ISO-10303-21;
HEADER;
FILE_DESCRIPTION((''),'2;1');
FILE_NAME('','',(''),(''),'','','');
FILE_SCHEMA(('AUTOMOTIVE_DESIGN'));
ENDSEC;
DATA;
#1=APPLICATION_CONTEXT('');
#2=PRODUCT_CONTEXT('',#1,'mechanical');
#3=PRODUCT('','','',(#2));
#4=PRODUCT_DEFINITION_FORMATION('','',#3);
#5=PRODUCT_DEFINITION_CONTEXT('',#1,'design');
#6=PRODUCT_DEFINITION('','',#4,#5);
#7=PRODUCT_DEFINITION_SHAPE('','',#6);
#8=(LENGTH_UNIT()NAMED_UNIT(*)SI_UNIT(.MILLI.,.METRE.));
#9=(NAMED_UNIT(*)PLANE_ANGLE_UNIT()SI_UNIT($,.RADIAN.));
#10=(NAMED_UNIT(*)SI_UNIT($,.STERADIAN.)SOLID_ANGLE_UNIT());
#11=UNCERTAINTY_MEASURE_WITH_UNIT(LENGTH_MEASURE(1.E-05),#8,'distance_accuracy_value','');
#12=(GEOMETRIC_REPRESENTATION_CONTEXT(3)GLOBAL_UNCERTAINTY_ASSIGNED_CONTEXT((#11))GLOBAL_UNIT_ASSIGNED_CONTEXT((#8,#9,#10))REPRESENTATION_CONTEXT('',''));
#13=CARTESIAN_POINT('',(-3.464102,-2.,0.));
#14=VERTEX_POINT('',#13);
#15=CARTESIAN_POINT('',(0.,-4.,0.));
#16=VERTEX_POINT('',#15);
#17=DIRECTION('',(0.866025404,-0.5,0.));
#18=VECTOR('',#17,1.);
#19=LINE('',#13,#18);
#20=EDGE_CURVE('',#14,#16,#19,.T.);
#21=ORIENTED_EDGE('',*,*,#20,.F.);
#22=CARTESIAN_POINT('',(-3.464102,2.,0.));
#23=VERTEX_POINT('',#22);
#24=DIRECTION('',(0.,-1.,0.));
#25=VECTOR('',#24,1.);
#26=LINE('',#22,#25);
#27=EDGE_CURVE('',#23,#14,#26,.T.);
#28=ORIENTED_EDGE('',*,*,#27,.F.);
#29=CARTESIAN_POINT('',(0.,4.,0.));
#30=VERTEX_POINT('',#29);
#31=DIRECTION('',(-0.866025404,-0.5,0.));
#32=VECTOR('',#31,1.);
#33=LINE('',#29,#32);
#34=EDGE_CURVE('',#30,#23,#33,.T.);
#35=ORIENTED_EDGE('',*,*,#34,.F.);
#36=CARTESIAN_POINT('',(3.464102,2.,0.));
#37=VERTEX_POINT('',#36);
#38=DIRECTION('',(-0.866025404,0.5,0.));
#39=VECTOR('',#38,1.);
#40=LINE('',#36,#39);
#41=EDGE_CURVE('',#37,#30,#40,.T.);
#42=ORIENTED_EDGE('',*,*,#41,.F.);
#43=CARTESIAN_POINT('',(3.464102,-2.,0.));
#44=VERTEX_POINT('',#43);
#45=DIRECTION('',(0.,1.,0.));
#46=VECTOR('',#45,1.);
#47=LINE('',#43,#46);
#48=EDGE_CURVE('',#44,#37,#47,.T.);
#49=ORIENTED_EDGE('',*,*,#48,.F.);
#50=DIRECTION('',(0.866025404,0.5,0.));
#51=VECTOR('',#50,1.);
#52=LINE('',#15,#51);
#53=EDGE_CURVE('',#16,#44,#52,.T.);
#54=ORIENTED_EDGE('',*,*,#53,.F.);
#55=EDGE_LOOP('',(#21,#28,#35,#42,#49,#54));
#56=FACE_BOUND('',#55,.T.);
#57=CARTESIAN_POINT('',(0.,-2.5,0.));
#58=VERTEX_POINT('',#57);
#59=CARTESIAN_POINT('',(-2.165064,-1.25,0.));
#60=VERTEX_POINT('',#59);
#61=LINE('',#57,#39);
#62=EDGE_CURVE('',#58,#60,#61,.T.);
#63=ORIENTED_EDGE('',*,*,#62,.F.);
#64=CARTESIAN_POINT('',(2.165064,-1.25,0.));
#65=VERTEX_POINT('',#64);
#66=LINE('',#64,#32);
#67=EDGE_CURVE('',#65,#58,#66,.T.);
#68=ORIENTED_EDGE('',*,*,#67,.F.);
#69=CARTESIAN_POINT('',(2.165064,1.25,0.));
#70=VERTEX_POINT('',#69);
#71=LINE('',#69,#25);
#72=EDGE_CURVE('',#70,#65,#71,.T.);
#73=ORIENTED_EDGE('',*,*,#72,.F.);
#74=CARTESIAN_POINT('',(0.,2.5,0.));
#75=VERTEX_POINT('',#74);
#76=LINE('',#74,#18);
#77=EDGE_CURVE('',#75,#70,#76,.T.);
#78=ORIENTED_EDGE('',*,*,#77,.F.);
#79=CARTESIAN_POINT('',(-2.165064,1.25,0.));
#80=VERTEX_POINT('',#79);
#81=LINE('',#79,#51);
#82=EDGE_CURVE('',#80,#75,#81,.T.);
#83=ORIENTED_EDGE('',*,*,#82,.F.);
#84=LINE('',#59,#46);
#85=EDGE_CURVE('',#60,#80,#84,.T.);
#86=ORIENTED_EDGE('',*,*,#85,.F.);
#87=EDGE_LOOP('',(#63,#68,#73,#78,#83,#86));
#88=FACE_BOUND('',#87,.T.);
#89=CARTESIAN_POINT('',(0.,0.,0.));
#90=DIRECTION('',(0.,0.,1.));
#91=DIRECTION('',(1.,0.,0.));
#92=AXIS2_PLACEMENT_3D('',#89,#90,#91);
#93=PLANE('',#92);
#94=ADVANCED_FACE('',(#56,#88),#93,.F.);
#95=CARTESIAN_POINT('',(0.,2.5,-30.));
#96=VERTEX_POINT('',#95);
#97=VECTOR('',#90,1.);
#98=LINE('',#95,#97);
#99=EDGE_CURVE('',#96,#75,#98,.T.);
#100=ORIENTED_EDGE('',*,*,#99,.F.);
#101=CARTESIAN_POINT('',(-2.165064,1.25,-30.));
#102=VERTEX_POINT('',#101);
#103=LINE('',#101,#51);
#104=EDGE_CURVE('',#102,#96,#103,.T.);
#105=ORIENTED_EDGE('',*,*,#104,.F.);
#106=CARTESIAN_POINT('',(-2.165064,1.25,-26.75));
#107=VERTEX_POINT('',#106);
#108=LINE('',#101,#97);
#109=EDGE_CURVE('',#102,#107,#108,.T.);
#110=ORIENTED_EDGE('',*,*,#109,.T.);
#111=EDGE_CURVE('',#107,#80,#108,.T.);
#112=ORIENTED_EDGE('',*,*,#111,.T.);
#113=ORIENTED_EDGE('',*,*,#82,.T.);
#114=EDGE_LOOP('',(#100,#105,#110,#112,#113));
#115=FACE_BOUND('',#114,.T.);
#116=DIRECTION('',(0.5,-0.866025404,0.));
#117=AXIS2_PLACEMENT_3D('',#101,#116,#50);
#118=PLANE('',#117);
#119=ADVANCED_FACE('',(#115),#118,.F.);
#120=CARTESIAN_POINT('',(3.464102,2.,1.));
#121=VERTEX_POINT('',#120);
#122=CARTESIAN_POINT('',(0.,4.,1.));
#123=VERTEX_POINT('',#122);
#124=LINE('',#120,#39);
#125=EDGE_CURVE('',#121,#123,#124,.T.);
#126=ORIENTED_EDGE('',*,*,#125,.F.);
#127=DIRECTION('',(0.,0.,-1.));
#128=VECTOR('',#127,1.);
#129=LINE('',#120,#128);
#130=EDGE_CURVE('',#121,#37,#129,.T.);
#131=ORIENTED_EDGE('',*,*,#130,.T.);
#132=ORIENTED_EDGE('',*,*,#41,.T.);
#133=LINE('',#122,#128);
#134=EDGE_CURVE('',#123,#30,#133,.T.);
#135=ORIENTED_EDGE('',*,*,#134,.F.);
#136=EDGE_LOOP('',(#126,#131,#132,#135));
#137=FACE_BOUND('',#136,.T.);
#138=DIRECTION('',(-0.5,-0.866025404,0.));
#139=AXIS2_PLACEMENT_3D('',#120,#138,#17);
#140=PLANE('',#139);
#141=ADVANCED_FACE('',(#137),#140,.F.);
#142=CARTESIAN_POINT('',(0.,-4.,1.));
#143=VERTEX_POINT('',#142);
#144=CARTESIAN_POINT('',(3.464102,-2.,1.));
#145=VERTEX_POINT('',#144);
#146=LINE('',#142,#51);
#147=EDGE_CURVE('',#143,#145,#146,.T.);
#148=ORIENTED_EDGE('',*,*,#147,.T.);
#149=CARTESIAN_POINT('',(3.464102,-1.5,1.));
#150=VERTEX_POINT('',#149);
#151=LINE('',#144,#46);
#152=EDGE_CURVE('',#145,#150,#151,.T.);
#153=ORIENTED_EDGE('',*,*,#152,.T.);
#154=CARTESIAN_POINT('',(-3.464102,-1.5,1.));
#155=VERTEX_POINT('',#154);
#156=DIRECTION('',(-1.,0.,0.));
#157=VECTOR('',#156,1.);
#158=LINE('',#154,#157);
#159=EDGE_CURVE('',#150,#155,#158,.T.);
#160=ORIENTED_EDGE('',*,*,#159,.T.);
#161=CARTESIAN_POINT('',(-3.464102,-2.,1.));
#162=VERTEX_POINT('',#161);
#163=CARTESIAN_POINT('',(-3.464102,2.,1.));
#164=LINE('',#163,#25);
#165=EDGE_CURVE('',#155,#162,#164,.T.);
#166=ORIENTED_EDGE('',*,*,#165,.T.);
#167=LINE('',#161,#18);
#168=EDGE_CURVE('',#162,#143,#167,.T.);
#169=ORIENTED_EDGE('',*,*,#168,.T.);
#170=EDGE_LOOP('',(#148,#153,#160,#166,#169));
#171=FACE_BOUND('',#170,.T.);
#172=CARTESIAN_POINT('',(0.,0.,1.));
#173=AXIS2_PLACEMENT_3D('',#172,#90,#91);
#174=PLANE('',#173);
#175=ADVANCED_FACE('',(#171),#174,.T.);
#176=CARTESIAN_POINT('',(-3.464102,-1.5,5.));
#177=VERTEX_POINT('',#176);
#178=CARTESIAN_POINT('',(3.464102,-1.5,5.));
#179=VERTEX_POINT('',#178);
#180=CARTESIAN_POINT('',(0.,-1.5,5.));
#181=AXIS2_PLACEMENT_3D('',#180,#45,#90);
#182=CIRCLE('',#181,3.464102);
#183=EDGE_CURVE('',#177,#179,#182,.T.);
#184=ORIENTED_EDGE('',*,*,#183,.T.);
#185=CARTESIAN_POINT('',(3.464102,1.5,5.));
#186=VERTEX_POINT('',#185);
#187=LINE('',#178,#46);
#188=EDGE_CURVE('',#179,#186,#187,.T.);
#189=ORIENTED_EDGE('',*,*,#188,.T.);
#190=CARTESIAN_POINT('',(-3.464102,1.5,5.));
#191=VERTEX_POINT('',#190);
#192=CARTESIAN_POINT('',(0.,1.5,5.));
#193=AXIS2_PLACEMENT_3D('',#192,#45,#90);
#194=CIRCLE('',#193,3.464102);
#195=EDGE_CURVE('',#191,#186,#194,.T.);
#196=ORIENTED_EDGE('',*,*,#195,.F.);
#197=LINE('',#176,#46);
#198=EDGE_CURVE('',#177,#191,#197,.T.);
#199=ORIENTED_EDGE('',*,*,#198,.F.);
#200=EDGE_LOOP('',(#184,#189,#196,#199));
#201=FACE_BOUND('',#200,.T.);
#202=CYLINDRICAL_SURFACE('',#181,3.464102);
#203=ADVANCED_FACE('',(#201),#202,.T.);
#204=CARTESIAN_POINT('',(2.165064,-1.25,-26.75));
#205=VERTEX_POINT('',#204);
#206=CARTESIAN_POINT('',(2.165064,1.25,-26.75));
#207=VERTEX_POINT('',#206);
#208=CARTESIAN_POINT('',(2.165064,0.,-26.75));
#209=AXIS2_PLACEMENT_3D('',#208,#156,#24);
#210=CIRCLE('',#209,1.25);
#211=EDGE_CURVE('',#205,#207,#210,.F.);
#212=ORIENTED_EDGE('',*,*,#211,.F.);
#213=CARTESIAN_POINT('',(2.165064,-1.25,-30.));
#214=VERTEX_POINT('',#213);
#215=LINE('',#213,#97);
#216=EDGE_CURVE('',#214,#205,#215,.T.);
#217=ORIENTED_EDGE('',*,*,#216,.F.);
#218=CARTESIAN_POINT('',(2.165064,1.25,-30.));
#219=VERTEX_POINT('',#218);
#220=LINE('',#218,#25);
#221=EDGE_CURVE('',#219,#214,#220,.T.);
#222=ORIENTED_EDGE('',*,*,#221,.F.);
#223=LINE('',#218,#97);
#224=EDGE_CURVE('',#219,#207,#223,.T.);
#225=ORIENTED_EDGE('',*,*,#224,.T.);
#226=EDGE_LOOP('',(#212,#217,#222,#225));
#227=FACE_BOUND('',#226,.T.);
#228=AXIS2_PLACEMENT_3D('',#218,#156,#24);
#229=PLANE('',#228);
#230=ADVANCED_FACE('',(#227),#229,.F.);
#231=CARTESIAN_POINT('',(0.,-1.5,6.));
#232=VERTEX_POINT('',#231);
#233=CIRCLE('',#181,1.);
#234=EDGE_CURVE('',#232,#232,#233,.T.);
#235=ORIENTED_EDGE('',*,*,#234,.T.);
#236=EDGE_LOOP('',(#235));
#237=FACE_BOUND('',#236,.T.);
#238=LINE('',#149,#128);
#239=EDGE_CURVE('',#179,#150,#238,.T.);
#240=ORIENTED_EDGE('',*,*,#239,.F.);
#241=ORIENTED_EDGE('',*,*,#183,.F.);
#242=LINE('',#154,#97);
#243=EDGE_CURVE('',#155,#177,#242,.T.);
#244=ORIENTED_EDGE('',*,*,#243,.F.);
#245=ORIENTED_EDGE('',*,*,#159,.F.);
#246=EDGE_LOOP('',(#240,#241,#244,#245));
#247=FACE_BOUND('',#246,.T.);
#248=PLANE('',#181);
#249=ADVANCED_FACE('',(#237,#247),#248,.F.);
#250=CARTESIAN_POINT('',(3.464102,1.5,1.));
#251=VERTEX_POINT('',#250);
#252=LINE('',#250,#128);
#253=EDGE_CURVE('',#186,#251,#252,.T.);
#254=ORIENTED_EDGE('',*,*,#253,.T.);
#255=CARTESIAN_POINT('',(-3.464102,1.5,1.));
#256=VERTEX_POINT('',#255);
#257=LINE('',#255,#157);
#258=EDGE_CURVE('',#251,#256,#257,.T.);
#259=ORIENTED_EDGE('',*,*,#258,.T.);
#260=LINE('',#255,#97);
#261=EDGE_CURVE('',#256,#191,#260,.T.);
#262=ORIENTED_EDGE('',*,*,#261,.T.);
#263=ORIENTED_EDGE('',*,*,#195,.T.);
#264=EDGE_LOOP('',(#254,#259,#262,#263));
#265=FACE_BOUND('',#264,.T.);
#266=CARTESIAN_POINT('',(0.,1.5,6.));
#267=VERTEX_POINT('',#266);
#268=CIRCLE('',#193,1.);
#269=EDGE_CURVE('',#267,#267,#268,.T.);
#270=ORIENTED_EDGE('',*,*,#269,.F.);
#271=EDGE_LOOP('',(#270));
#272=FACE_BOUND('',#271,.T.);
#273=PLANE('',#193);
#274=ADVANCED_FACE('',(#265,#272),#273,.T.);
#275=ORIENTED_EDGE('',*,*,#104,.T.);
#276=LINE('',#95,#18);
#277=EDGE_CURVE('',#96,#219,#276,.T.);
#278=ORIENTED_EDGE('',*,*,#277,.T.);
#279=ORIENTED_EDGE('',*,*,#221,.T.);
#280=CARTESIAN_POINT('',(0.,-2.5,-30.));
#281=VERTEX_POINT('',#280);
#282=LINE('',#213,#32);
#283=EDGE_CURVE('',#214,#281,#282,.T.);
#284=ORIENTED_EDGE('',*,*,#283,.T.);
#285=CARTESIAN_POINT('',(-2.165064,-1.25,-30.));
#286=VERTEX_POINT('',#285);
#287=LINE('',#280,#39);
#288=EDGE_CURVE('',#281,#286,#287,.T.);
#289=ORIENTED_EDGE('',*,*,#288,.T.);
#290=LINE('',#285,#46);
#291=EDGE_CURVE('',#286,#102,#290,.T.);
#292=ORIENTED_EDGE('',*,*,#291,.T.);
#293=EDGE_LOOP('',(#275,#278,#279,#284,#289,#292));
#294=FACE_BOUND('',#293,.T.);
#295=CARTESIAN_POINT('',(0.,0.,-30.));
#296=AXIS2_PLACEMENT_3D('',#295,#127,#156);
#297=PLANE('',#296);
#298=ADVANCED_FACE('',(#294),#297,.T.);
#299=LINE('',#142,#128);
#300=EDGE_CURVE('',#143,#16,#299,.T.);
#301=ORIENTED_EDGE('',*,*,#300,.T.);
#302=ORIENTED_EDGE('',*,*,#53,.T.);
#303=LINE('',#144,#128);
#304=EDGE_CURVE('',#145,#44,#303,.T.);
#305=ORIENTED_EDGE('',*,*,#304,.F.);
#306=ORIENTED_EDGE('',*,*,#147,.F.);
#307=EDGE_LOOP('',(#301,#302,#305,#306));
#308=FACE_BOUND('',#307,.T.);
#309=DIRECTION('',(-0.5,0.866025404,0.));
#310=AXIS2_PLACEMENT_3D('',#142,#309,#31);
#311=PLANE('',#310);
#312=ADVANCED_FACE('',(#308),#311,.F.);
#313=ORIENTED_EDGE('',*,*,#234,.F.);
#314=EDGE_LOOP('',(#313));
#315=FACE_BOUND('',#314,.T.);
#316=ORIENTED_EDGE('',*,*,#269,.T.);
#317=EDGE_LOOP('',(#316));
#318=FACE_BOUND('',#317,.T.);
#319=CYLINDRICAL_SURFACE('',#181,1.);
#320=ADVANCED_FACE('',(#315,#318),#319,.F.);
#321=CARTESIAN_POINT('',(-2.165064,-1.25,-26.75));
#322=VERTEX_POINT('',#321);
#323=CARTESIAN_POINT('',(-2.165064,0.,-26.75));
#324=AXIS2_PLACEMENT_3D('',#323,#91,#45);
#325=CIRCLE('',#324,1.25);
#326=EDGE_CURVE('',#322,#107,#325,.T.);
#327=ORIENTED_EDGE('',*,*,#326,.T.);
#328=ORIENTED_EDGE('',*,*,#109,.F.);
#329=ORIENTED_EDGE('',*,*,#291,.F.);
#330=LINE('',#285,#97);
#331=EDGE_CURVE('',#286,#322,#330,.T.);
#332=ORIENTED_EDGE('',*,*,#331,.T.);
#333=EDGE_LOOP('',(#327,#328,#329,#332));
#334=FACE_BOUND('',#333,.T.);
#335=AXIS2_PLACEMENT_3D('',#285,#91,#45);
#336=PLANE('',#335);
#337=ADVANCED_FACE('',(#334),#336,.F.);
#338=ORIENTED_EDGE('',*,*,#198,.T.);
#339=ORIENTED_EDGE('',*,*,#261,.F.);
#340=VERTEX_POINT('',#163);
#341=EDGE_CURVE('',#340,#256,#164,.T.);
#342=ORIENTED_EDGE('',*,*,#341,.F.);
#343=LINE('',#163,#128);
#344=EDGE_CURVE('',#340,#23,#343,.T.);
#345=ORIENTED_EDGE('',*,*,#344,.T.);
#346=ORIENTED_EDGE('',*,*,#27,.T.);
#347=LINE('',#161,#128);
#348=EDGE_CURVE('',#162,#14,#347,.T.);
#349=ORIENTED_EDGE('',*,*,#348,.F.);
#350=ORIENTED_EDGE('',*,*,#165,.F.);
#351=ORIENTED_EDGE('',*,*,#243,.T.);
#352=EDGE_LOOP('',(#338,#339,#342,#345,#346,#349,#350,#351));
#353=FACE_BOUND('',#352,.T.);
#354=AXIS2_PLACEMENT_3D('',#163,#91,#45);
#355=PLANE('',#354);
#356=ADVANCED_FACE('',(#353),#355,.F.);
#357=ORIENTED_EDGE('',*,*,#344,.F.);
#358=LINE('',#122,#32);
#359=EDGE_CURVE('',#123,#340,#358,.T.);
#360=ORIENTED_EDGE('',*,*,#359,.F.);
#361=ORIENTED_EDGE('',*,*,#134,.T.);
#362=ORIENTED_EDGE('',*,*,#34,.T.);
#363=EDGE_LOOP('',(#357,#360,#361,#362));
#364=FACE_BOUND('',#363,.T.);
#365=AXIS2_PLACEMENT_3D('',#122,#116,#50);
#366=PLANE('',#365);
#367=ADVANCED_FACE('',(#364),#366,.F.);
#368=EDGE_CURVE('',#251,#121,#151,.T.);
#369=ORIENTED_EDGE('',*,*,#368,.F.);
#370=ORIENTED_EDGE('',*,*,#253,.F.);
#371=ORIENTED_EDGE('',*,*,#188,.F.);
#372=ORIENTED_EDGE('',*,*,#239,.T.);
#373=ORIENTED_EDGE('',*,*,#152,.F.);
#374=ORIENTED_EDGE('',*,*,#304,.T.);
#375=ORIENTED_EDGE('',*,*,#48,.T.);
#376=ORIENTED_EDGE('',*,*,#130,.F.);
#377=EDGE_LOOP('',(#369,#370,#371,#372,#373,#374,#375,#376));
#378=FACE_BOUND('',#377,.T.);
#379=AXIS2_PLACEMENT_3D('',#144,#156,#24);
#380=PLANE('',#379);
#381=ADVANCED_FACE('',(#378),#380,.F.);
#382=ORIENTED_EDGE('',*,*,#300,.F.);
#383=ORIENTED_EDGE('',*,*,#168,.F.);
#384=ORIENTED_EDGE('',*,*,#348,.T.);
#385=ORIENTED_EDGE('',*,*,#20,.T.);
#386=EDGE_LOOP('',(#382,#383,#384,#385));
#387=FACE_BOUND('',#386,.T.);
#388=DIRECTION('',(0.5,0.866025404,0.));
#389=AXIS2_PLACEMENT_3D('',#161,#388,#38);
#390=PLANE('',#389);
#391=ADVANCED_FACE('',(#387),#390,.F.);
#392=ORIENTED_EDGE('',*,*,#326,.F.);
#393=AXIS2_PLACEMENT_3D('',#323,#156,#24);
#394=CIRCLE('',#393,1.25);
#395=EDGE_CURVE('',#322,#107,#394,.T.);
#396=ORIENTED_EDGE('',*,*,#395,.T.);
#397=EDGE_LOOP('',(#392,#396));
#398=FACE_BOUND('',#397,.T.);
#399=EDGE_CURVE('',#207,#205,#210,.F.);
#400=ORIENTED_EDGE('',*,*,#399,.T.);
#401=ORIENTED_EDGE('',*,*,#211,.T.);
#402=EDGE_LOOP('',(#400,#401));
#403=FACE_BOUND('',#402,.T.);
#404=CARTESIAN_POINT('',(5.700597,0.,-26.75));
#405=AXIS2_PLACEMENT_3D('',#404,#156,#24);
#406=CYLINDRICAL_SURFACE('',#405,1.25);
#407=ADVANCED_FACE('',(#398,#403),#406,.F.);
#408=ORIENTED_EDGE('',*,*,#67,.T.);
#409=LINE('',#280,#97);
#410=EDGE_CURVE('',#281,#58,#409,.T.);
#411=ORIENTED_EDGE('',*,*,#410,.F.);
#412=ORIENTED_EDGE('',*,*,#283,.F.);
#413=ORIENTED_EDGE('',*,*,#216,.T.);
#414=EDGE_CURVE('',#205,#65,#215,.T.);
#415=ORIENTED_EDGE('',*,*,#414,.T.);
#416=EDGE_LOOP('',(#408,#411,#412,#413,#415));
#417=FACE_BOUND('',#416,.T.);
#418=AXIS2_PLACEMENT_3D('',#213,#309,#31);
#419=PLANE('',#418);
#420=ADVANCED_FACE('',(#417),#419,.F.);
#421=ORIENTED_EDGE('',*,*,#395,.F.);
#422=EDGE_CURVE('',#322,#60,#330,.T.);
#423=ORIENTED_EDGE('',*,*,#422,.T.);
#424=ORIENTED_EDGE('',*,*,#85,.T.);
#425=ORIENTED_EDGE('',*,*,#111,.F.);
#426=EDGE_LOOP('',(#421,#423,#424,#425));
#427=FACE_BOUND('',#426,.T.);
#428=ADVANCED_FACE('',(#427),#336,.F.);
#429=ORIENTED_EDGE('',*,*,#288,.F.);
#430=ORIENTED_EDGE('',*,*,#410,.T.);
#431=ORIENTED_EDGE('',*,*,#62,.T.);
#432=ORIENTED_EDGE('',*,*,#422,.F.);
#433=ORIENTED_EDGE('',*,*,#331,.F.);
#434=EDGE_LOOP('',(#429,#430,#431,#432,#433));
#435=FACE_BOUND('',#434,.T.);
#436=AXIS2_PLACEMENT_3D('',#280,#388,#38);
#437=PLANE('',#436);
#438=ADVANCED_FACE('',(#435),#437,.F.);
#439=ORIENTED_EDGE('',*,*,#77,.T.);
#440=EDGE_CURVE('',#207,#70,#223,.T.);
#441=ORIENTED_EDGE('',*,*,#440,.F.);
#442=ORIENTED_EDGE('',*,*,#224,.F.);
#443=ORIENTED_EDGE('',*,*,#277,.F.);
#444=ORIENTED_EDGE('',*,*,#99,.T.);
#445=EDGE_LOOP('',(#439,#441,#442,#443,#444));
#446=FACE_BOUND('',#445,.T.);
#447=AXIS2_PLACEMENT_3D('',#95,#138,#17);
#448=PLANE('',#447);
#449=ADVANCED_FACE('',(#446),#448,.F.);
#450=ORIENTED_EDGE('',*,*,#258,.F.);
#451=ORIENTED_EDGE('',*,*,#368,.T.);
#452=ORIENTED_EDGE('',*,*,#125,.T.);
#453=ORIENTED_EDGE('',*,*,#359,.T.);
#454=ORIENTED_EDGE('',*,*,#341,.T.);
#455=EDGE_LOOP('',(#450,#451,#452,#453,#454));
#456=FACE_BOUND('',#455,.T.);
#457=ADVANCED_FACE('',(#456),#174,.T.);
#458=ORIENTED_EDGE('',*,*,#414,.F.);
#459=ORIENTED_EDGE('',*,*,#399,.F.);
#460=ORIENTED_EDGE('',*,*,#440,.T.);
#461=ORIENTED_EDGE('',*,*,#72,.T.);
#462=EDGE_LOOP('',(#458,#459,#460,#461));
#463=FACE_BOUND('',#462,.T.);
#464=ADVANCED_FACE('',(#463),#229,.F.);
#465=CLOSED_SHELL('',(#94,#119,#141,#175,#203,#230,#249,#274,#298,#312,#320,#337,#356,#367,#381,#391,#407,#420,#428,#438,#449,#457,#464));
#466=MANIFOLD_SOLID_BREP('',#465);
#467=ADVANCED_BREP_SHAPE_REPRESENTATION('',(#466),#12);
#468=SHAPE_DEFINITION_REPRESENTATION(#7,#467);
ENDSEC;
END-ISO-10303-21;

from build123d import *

# Parameters (mm, degrees)
EXTRUDE_1_DEPTH      = 1
SKETCH_2_R           = 1
EXTRUDE_3_DEPTH      = 1.5
EXTRUDE_3_DEPTH_BACK = 1.5
EXTRUDE_4_DEPTH      = 30
SKETCH_4_R           = 1.25
CUT_EXTRUDE_1_DEPTH  = 4.330127


with BuildPart() as part:
    # 스케치1 → 보스-돌출1 (new body)
    with BuildSketch(Plane.XY):
        Polygon((0, 4), (-3.464101615, 2), (-3.464101615, -2), (0, -4), (3.464101615, -2), (3.464101615, 2), align=None)
    extrude(amount=EXTRUDE_1_DEPTH)

    # 스케치2 → 보스-돌출3 (add, two sides)
    with BuildSketch(Plane(origin=(0, 0, 0), x_dir=(1, 0, 0), z_dir=(0, 1, 0))) as extrude_3_sk:
        with BuildLine():
            Line((-3.464101615, -1), (3.464101615, -1))
            Line((3.464101615, -1), (3.464101615, -5))
            ThreePointArc((3.464101615, -5), (0, -8.464101615), (-3.464101615, -5))
            Line((-3.464101615, -5), (-3.464101615, -1))
        make_face()
        with Locations((0, -5)):
            Circle(SKETCH_2_R, mode=Mode.SUBTRACT)
    extrude(amount=EXTRUDE_3_DEPTH)
    extrude(extrude_3_sk.sketch, amount=-EXTRUDE_3_DEPTH_BACK)

    # 스케치3 → 보스-돌출4 (add)
    with BuildSketch(Plane(origin=(0, 0, 0), x_dir=(-1, 0, 0), z_dir=(0, 0, -1))):
        Polygon((0, 2.5), (-2.165063509, 1.25), (-2.165063509, -1.25), (0, -2.5), (2.165063509, -1.25), (2.165063509, 1.25), align=None)
    extrude(amount=EXTRUDE_4_DEPTH)

    # 스케치4 → 컷-돌출1 (cut)
    with BuildSketch(Plane.ZY.offset(2.165063509)):
        with Locations((-26.75, 0)):
            Circle(SKETCH_4_R)
    extrude(amount=-CUT_EXTRUDE_1_DEPTH, mode=Mode.SUBTRACT)


solid = part.part
